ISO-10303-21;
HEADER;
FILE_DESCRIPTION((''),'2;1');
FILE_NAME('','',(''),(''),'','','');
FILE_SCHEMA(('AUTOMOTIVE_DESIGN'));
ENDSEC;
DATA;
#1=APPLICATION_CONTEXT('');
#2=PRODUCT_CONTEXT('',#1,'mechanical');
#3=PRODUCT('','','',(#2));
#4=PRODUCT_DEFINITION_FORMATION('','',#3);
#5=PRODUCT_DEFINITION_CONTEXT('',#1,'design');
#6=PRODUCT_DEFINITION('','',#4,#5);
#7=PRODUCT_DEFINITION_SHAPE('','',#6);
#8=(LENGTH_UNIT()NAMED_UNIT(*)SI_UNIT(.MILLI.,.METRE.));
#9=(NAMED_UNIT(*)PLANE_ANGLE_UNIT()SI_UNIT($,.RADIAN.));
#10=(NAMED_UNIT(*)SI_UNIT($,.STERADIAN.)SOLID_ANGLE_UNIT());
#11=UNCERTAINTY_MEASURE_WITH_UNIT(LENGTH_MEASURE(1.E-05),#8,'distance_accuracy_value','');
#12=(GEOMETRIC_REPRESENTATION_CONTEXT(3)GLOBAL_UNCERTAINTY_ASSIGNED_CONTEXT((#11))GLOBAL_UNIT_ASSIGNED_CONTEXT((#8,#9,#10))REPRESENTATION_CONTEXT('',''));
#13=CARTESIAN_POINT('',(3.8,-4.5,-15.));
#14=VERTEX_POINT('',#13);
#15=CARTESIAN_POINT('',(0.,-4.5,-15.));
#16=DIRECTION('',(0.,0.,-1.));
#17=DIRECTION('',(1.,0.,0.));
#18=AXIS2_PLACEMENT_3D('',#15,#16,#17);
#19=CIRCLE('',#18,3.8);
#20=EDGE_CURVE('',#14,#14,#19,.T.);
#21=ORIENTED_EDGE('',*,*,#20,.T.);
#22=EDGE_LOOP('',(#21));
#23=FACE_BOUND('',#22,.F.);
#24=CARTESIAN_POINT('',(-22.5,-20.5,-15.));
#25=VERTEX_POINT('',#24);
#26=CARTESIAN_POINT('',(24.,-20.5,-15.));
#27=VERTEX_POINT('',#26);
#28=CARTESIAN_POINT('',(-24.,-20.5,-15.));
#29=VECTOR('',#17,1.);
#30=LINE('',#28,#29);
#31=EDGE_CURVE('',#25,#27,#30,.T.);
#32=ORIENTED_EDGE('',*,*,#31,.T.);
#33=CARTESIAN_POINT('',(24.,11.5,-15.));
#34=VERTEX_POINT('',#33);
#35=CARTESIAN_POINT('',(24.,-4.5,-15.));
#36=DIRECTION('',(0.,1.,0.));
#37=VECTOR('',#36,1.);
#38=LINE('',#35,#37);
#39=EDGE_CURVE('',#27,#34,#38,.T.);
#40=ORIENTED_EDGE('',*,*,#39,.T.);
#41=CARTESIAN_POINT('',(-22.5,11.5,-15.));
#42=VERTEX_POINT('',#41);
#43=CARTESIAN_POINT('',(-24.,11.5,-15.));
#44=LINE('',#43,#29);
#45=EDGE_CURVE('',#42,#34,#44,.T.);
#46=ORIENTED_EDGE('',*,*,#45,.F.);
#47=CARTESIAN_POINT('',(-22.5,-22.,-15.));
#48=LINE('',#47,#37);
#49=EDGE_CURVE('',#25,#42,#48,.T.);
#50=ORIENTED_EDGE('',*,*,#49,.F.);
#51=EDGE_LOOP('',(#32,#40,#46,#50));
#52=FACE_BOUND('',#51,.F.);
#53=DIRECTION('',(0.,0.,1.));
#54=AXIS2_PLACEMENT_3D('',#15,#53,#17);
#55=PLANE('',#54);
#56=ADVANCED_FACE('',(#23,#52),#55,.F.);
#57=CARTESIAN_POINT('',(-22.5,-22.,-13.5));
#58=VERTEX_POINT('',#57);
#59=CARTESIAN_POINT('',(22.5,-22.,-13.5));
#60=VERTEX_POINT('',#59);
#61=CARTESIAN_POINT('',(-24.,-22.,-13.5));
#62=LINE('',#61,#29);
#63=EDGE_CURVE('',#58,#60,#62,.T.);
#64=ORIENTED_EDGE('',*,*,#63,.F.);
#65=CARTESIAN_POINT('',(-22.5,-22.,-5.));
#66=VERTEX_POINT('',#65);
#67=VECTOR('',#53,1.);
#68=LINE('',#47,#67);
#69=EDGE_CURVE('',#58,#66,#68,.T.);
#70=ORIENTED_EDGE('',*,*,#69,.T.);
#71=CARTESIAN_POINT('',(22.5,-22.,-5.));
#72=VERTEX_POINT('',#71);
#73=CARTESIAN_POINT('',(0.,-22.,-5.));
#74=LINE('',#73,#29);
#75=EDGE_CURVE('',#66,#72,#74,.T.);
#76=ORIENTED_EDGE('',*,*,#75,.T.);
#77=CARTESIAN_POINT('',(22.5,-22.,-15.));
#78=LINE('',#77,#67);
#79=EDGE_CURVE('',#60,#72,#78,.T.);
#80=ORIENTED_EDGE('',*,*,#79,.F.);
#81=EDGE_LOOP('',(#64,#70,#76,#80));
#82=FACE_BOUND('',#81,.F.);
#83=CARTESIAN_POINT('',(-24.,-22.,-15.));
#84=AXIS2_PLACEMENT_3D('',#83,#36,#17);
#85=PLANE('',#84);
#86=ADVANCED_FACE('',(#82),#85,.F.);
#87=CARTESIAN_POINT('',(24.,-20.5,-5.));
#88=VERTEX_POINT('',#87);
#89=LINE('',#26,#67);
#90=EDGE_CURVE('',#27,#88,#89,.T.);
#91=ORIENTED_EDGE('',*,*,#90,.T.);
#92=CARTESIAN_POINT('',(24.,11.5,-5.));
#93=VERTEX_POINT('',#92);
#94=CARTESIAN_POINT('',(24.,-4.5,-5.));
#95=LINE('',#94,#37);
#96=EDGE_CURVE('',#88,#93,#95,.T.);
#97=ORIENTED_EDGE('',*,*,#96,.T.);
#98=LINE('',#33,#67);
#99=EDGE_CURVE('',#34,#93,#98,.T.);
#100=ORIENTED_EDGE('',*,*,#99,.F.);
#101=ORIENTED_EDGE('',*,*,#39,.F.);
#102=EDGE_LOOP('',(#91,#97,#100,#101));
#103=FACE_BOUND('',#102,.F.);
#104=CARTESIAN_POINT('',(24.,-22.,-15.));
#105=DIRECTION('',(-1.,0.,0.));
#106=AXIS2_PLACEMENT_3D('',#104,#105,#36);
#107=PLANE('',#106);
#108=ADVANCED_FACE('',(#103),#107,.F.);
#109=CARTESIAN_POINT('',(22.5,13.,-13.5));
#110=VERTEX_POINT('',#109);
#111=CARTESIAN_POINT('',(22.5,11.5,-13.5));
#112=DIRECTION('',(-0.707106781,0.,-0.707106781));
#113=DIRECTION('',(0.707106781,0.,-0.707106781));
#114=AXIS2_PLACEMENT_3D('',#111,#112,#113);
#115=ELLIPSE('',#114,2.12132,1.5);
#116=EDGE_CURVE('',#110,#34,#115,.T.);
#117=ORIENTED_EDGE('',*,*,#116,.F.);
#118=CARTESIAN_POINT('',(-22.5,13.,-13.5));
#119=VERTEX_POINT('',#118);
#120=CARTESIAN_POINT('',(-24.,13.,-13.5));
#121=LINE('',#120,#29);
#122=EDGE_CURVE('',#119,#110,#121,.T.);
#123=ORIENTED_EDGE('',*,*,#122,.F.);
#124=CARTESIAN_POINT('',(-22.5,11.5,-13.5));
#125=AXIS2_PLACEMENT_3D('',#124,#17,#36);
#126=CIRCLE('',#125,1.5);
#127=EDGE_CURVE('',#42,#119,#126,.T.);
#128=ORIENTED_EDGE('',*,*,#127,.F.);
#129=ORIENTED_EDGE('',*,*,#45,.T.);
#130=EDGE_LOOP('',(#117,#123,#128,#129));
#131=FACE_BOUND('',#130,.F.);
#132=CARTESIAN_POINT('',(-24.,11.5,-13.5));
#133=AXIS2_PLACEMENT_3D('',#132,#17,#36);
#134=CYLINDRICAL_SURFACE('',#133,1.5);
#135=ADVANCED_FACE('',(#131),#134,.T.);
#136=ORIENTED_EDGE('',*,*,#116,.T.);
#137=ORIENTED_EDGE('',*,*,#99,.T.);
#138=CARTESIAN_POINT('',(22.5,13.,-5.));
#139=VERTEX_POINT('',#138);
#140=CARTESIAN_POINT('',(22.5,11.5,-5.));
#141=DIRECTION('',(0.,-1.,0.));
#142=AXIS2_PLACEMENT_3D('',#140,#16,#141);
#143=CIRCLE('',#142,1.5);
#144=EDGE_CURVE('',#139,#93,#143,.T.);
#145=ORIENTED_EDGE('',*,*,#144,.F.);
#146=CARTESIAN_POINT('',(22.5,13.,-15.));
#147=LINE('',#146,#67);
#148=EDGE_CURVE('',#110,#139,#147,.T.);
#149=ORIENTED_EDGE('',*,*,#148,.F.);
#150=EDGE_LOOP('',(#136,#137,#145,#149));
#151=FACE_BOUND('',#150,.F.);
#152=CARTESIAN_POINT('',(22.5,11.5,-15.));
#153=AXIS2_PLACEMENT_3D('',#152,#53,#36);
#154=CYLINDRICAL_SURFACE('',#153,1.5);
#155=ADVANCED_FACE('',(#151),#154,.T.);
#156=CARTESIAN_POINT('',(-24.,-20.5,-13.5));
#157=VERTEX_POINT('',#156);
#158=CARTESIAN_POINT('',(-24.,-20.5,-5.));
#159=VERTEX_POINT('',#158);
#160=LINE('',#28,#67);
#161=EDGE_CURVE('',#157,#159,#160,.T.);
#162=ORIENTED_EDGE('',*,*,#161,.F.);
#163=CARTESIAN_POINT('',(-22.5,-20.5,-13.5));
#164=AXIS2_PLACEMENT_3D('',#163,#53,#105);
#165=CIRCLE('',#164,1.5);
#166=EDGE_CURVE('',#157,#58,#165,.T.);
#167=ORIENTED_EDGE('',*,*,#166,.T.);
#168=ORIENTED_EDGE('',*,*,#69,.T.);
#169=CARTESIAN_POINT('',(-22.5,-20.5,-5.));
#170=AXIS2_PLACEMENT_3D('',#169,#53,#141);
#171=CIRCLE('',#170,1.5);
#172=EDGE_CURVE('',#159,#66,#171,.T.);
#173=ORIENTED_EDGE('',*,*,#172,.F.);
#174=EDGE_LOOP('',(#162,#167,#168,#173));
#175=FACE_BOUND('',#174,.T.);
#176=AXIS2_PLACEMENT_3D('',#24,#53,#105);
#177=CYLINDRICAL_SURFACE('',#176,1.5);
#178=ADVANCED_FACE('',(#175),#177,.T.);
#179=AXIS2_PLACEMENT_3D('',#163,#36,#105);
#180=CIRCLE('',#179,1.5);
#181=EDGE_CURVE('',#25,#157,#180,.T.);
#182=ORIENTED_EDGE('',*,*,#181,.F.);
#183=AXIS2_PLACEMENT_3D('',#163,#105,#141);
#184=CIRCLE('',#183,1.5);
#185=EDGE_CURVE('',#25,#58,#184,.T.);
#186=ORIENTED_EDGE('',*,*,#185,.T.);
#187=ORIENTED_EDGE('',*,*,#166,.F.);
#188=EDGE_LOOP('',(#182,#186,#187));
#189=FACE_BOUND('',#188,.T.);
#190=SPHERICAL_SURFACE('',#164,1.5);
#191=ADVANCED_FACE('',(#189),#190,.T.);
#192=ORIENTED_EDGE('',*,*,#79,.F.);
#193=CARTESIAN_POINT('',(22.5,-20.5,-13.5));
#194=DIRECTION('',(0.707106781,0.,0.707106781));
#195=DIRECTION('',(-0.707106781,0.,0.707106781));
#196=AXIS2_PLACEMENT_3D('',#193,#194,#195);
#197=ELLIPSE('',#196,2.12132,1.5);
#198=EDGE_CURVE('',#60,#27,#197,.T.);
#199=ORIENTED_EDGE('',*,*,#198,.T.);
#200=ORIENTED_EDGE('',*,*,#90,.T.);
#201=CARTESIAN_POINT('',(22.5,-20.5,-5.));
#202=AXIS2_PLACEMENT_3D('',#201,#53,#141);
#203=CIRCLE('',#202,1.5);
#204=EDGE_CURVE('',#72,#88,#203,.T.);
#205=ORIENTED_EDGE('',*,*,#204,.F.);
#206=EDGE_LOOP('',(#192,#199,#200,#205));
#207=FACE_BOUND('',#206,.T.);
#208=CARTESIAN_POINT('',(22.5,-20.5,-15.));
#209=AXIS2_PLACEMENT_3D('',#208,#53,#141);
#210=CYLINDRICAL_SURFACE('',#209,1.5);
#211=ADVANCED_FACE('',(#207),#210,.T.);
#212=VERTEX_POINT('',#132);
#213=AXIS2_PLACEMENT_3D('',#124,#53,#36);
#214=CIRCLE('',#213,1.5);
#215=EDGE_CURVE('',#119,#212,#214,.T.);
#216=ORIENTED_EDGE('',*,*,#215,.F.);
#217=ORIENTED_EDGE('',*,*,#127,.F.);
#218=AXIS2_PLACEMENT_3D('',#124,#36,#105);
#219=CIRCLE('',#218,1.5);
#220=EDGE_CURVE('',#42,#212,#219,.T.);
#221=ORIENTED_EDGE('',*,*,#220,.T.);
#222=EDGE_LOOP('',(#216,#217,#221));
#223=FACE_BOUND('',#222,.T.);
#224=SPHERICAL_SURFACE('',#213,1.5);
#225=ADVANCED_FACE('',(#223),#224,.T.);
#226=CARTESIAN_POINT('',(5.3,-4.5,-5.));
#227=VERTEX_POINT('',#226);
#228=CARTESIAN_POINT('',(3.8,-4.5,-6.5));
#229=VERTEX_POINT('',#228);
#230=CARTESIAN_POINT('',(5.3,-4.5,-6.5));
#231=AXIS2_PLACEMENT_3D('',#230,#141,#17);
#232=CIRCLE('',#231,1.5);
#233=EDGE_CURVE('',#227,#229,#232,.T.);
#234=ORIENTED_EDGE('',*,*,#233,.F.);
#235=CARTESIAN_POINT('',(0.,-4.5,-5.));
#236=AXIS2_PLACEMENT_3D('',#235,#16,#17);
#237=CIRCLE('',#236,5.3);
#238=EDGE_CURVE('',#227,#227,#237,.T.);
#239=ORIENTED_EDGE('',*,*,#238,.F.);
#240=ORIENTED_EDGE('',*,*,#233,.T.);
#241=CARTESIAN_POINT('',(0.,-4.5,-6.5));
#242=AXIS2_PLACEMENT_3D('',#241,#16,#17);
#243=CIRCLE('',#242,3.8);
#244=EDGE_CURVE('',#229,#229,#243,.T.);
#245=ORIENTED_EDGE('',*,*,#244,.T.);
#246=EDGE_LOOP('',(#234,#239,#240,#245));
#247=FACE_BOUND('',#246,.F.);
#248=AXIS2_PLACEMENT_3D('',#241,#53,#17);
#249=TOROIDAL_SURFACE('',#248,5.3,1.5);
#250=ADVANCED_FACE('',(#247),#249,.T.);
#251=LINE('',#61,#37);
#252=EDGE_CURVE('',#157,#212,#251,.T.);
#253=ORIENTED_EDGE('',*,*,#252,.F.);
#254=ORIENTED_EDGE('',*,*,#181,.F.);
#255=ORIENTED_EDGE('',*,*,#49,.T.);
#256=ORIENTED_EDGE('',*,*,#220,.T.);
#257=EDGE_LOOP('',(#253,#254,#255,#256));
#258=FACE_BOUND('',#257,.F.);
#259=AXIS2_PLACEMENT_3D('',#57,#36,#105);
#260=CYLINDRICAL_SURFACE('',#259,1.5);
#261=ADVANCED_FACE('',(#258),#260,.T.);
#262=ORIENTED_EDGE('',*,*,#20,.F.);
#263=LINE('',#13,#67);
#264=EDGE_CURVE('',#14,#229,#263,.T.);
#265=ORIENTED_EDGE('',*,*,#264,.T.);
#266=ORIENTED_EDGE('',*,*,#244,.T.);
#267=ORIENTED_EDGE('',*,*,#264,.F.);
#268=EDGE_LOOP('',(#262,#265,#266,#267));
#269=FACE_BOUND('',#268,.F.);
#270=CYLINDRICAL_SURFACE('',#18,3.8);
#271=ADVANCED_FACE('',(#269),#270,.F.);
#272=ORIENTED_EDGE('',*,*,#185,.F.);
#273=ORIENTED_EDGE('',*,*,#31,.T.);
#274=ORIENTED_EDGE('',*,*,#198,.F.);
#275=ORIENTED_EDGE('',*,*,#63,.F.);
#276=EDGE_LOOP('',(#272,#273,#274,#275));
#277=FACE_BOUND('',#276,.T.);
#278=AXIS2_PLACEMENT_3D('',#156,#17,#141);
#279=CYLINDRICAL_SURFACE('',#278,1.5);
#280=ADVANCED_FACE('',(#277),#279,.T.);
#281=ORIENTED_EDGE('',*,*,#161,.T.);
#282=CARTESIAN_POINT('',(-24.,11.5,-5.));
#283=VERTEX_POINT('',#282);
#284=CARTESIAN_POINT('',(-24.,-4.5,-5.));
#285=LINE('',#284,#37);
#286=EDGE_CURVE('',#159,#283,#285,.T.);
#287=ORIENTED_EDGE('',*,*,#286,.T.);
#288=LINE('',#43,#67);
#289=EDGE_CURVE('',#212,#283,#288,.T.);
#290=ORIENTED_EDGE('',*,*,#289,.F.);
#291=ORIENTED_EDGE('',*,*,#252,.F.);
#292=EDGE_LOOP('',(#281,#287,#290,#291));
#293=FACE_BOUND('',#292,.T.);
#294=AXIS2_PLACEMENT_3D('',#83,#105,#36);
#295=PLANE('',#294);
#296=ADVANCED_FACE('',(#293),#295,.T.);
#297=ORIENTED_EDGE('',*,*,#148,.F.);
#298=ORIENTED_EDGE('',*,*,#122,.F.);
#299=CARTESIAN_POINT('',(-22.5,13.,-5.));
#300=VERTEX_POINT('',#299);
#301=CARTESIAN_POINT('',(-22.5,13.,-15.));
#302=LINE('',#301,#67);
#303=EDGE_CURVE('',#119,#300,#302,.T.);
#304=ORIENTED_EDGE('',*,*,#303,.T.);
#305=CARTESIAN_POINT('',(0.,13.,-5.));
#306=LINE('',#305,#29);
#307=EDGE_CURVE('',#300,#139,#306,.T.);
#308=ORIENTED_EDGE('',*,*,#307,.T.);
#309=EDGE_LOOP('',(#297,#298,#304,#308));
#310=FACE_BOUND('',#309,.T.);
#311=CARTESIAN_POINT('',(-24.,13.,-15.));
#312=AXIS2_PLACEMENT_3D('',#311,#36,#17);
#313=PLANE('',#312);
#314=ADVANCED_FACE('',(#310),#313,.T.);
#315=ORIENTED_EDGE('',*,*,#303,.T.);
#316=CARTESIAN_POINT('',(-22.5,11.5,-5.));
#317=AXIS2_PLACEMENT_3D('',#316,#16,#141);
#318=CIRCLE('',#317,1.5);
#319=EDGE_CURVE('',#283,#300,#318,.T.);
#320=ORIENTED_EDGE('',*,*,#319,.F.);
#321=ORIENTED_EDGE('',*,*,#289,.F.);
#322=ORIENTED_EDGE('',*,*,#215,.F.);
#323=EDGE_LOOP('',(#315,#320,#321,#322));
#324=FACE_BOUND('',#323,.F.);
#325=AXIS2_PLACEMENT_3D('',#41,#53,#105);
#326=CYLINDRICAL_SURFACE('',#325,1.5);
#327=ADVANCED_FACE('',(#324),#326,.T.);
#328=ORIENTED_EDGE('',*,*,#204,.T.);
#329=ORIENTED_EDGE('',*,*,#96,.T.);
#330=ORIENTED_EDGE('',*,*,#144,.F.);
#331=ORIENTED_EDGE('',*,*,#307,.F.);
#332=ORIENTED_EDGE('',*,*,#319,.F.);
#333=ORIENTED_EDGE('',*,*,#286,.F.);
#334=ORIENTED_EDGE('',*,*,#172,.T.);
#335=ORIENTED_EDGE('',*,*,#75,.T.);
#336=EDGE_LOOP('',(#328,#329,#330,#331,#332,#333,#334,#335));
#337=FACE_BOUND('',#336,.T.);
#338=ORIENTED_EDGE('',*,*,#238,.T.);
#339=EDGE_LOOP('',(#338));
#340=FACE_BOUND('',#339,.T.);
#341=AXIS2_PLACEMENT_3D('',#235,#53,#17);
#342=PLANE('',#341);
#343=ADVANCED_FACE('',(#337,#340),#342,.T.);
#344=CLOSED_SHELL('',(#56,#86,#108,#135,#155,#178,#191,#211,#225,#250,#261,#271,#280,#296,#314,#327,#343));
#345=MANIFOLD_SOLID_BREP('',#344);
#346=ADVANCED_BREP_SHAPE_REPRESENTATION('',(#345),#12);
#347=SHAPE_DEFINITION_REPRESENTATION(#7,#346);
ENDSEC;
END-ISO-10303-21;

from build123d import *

# Parameters (mm, degrees)
BOX006_W        = 48
BOX006_H        = 35
BOX006_DEPTH    = 10
SKETCH007_R     = 3.8
POCKET001_DEPTH = 10
FILLET007_R     = 1.5


with BuildPart() as part:
    # Box006 → Box006 (new body)
    with BuildSketch(Plane(origin=(-24, -22, -15), x_dir=(1, 0, 0), z_dir=(0, 0, 1))):
        with Locations((24, 17.5)):
            Rectangle(BOX006_W, BOX006_H)
    extrude(amount=BOX006_DEPTH)

    # Sketch007 → Pocket001 (cut)
    with BuildSketch(Plane(origin=(-24, -22, -15), x_dir=(1, 0, 0), z_dir=(0, 0, -1))):
        with Locations((24, -17.5)):
            Circle(SKETCH007_R)
    extrude(amount=-POCKET001_DEPTH, mode=Mode.SUBTRACT)

    # Fillet007
    fillet007_edges = [part.edges().sort_by_distance(p)[0] for p in [
        (-24, -22, -10),
        (-24, 13, -10),
        (24, -22, -10),
        (0, 13, -15),
        (-24, -4.5, -15),
        (-3.8, -4.5, -5),
        (0, -22, -15),
        (24, 13, -10),
    ]]
    fillet(fillet007_edges, radius=FILLET007_R)


solid = part.part
